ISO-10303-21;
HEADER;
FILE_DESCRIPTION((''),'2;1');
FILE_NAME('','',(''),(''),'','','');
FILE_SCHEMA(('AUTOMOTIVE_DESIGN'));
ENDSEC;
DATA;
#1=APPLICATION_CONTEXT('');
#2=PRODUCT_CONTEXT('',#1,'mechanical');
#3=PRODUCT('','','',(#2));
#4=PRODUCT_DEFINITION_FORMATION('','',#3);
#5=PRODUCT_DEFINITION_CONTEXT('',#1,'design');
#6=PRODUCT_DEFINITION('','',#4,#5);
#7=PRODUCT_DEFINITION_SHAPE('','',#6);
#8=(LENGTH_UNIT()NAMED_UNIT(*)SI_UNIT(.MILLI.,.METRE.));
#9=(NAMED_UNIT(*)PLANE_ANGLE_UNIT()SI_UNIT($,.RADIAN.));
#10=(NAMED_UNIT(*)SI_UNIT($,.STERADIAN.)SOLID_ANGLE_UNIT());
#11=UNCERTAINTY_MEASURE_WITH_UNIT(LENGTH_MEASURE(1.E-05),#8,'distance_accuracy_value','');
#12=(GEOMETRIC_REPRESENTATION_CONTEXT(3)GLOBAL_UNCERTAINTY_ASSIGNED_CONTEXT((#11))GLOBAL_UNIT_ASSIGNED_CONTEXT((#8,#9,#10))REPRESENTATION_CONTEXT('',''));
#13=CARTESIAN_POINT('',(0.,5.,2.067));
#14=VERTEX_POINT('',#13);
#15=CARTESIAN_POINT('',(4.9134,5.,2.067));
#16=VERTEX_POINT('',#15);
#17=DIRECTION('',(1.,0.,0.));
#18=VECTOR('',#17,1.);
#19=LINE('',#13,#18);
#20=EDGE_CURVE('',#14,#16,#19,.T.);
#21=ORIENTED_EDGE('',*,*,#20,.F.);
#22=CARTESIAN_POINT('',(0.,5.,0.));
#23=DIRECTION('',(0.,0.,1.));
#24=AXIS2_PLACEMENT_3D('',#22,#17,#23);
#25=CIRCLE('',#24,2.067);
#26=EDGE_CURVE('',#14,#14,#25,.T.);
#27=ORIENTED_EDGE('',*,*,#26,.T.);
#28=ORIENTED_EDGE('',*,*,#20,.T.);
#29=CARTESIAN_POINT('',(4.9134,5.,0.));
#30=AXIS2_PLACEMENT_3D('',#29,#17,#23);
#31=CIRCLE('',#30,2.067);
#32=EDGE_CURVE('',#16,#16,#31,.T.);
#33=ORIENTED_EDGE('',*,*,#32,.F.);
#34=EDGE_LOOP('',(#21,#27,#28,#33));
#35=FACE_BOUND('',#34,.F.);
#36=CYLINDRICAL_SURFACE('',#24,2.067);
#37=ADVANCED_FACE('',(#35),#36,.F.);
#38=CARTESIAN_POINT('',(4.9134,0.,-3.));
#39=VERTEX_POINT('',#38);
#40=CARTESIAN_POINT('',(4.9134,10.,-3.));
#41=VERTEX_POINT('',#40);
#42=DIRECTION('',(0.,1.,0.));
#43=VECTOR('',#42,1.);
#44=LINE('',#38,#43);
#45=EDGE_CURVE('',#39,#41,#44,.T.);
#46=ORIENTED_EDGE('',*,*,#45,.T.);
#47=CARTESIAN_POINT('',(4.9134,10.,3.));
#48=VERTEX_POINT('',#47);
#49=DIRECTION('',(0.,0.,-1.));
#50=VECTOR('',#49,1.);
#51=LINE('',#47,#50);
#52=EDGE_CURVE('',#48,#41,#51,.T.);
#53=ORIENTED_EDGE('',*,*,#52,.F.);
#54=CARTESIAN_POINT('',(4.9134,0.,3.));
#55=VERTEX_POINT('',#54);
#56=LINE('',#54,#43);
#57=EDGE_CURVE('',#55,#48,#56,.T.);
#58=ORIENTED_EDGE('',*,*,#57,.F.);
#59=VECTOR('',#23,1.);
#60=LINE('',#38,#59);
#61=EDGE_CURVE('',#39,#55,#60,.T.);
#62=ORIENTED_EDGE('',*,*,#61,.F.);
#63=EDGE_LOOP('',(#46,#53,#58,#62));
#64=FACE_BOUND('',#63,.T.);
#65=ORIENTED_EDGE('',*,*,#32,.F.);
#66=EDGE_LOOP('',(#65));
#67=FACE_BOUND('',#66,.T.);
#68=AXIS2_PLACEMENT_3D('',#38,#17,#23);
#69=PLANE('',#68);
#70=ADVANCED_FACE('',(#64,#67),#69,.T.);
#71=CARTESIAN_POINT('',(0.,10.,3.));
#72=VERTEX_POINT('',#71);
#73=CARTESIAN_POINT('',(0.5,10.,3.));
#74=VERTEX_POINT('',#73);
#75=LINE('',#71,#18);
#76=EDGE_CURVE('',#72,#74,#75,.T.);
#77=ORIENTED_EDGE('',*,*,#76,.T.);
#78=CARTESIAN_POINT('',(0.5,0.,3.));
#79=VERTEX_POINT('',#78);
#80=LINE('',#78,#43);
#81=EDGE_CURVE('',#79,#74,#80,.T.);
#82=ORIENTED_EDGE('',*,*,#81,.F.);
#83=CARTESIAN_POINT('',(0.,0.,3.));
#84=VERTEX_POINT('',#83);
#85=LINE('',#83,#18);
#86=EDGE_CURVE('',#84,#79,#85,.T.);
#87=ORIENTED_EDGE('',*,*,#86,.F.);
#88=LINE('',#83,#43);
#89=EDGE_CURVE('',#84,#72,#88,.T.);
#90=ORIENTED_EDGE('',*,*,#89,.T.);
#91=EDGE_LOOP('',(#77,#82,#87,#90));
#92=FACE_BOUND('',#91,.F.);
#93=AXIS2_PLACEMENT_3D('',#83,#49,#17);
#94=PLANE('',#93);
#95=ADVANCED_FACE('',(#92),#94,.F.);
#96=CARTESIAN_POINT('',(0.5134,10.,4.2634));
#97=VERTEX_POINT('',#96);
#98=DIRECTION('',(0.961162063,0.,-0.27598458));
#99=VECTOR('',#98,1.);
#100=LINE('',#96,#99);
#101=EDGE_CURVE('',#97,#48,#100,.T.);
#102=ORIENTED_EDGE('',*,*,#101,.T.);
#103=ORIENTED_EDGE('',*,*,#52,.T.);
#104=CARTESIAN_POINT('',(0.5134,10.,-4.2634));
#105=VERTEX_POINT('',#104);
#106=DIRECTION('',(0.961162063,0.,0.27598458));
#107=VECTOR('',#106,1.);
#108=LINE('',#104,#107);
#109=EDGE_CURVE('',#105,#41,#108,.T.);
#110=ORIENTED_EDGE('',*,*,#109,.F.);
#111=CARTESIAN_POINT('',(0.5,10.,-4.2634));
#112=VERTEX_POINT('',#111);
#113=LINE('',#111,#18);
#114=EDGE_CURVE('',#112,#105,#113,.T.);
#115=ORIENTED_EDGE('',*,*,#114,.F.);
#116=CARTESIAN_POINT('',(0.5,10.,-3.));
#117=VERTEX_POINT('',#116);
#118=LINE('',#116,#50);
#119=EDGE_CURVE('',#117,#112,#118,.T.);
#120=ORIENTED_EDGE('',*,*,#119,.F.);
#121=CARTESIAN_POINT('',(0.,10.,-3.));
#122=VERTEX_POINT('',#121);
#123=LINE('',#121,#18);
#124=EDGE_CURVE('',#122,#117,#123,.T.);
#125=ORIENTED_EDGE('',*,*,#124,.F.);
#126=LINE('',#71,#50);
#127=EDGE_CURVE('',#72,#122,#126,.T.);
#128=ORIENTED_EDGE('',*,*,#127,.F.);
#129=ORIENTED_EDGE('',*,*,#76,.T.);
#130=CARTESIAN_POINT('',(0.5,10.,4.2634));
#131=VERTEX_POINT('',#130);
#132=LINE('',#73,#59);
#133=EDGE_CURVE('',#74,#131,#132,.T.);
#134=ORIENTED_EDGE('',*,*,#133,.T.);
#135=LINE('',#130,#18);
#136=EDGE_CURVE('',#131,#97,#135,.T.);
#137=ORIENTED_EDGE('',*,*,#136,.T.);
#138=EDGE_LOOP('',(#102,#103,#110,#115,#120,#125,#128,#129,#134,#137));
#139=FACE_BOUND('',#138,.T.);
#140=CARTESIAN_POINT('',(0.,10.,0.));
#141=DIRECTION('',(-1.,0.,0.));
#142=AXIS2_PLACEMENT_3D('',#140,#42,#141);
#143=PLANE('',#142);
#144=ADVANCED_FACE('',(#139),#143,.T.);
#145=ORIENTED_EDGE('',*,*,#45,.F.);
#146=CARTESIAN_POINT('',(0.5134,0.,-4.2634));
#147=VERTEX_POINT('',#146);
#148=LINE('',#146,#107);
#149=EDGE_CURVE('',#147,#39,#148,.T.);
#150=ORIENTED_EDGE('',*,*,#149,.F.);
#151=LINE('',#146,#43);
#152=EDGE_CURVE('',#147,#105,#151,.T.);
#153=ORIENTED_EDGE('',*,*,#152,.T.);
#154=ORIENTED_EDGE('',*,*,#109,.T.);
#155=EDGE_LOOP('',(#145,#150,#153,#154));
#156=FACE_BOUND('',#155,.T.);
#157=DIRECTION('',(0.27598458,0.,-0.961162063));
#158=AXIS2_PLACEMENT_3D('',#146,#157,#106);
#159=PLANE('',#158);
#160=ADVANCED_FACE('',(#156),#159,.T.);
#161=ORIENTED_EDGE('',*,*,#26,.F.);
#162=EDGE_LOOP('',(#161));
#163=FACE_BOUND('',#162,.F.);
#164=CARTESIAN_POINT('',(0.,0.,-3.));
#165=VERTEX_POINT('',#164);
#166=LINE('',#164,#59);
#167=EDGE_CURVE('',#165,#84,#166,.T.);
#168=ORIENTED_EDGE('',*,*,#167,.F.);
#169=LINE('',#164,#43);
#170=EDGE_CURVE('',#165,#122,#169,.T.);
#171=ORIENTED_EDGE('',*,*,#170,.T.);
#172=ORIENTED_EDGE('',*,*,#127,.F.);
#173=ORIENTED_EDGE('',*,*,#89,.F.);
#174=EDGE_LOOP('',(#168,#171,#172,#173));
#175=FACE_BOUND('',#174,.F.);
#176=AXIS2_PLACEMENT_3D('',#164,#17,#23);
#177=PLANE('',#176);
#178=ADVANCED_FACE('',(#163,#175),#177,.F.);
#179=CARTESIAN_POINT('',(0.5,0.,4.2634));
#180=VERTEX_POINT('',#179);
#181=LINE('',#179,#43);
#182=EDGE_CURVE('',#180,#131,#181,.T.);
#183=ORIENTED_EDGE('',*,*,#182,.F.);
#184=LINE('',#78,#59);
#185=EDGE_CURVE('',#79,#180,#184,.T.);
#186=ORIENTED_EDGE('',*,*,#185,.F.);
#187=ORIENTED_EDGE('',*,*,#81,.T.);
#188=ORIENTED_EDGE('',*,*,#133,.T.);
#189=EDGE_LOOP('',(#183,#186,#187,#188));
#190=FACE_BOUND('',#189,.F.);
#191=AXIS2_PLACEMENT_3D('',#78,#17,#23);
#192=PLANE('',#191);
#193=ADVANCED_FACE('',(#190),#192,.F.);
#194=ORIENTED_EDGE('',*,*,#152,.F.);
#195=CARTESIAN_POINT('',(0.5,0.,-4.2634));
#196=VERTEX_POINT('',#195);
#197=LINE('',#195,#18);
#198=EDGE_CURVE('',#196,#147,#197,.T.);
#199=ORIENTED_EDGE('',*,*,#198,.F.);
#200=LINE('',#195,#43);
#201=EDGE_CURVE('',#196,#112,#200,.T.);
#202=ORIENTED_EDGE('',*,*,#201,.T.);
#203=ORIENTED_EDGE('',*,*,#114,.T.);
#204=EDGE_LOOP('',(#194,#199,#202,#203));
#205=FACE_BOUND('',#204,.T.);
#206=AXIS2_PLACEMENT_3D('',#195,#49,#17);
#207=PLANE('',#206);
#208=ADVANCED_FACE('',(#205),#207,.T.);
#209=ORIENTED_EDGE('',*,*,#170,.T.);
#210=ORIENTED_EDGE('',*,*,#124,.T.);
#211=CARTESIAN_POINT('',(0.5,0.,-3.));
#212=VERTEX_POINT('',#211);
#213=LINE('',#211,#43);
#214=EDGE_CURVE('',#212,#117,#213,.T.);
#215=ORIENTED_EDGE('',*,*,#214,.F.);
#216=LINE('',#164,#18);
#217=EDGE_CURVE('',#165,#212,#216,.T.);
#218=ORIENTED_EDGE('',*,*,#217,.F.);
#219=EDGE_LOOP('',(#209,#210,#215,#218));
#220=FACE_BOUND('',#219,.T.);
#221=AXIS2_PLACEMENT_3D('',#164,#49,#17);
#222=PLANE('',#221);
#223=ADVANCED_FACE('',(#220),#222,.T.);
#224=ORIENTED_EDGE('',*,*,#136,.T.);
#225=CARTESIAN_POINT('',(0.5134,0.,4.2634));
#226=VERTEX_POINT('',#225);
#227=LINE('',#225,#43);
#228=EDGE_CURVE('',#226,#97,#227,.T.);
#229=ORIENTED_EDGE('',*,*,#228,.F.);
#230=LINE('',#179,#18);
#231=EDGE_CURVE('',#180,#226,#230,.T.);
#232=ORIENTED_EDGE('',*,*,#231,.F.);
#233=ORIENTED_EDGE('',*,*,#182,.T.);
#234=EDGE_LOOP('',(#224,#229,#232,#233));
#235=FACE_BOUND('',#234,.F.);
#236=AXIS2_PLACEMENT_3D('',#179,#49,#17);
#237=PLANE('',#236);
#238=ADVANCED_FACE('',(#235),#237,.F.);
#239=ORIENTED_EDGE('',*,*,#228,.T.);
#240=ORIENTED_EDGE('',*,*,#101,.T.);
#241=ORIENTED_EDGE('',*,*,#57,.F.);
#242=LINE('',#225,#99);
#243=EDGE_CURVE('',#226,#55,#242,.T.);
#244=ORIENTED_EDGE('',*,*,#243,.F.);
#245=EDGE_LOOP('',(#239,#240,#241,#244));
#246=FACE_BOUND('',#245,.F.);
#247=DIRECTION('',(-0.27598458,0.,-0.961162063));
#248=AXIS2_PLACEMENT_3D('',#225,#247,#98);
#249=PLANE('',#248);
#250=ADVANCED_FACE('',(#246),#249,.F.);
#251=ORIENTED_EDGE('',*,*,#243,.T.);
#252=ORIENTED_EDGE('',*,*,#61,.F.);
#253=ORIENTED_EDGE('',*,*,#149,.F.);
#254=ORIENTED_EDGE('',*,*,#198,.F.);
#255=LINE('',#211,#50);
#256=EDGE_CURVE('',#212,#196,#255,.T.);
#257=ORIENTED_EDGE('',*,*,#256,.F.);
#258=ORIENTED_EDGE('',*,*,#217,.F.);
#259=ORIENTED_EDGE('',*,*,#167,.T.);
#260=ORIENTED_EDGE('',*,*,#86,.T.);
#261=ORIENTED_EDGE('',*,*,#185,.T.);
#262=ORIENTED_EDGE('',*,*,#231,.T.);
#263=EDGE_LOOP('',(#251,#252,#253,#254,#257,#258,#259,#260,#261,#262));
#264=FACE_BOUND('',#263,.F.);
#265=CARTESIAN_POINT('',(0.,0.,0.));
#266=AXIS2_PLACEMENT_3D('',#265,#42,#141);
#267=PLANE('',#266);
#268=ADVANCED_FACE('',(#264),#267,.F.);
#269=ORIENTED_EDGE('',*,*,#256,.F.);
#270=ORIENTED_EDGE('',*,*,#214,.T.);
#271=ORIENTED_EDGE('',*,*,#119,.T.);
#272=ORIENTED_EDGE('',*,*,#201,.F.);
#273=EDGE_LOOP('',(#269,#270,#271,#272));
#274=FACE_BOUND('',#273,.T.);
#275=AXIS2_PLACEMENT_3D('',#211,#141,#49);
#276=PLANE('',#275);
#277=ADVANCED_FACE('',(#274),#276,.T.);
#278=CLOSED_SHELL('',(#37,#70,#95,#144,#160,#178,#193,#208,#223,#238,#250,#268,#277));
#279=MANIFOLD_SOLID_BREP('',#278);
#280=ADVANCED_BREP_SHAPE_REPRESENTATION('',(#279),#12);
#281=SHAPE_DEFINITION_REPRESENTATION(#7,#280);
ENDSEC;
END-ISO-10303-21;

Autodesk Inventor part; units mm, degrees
ref_plane "YZ Plane" through (0, 0, 0) normal (1, 0, 0) x (0, 1, 0)
ref_plane "XZ Plane" through (0, 0, 0) normal (0, 1, 0) x (-1, 0, 0)
ref_plane "XY Plane" through (0, 0, 0) normal (0, 0, 1) x (1, 0, 0)
sketch "Sketch1" plane through (0, 0, 0) normal (0, 1, 0) x (-1, 0, 0)
  line L0 (0, -3) -> (-0.5, -3)
  line L1 (-0.5, -3) -> (-0.5, -4.2634)
  line L2 (-0.5, -4.2634) -> (-0.5134, -4.2634)
  line L3 (-0.5134, -4.2634) -> (-4.9134, -3)
  line L4 (0, -3) -> (0, 0)
  line L5 (-4.9134, -3) -> (-4.9134, 0)
  line L6 (0, 0) -> (-4.9134, 0) construction
  line L7 (0, 3) -> (-0.5, 3)
  line L8 (-0.5, 3) -> (-0.5, 4.2634)
  line L9 (-0.5, 4.2634) -> (-0.5134, 4.2634)
  line L10 (-0.5134, 4.2634) -> (-4.9134, 3)
  line L11 (0, 3) -> (0, 0)
  line L12 (-4.9134, 3) -> (-4.9134, 0)
  dimension "d0" = 6
  dimension "d1" = 0.5
  dimension "d4" = 4.4
extrude "Extrusion1" add sketch "Sketch1" along normal blind 10
sketch "Sketch2" plane through (0, 0, -3) normal (-1, 0, 0) x (0, 0, 1)
  line L0 (3, 0) -> (3, 10) construction
  line L1 (0, 10) -> (6, 10) projected
  point P0 (3, 5)
hole "Hole2" at (0, 5, 0) direction (1, 0, 0) diameter 4.134 end through all thread size "M5x0.8" class "6H" standard "ISO Metric profile"
properties part number "m5_t_nut"
